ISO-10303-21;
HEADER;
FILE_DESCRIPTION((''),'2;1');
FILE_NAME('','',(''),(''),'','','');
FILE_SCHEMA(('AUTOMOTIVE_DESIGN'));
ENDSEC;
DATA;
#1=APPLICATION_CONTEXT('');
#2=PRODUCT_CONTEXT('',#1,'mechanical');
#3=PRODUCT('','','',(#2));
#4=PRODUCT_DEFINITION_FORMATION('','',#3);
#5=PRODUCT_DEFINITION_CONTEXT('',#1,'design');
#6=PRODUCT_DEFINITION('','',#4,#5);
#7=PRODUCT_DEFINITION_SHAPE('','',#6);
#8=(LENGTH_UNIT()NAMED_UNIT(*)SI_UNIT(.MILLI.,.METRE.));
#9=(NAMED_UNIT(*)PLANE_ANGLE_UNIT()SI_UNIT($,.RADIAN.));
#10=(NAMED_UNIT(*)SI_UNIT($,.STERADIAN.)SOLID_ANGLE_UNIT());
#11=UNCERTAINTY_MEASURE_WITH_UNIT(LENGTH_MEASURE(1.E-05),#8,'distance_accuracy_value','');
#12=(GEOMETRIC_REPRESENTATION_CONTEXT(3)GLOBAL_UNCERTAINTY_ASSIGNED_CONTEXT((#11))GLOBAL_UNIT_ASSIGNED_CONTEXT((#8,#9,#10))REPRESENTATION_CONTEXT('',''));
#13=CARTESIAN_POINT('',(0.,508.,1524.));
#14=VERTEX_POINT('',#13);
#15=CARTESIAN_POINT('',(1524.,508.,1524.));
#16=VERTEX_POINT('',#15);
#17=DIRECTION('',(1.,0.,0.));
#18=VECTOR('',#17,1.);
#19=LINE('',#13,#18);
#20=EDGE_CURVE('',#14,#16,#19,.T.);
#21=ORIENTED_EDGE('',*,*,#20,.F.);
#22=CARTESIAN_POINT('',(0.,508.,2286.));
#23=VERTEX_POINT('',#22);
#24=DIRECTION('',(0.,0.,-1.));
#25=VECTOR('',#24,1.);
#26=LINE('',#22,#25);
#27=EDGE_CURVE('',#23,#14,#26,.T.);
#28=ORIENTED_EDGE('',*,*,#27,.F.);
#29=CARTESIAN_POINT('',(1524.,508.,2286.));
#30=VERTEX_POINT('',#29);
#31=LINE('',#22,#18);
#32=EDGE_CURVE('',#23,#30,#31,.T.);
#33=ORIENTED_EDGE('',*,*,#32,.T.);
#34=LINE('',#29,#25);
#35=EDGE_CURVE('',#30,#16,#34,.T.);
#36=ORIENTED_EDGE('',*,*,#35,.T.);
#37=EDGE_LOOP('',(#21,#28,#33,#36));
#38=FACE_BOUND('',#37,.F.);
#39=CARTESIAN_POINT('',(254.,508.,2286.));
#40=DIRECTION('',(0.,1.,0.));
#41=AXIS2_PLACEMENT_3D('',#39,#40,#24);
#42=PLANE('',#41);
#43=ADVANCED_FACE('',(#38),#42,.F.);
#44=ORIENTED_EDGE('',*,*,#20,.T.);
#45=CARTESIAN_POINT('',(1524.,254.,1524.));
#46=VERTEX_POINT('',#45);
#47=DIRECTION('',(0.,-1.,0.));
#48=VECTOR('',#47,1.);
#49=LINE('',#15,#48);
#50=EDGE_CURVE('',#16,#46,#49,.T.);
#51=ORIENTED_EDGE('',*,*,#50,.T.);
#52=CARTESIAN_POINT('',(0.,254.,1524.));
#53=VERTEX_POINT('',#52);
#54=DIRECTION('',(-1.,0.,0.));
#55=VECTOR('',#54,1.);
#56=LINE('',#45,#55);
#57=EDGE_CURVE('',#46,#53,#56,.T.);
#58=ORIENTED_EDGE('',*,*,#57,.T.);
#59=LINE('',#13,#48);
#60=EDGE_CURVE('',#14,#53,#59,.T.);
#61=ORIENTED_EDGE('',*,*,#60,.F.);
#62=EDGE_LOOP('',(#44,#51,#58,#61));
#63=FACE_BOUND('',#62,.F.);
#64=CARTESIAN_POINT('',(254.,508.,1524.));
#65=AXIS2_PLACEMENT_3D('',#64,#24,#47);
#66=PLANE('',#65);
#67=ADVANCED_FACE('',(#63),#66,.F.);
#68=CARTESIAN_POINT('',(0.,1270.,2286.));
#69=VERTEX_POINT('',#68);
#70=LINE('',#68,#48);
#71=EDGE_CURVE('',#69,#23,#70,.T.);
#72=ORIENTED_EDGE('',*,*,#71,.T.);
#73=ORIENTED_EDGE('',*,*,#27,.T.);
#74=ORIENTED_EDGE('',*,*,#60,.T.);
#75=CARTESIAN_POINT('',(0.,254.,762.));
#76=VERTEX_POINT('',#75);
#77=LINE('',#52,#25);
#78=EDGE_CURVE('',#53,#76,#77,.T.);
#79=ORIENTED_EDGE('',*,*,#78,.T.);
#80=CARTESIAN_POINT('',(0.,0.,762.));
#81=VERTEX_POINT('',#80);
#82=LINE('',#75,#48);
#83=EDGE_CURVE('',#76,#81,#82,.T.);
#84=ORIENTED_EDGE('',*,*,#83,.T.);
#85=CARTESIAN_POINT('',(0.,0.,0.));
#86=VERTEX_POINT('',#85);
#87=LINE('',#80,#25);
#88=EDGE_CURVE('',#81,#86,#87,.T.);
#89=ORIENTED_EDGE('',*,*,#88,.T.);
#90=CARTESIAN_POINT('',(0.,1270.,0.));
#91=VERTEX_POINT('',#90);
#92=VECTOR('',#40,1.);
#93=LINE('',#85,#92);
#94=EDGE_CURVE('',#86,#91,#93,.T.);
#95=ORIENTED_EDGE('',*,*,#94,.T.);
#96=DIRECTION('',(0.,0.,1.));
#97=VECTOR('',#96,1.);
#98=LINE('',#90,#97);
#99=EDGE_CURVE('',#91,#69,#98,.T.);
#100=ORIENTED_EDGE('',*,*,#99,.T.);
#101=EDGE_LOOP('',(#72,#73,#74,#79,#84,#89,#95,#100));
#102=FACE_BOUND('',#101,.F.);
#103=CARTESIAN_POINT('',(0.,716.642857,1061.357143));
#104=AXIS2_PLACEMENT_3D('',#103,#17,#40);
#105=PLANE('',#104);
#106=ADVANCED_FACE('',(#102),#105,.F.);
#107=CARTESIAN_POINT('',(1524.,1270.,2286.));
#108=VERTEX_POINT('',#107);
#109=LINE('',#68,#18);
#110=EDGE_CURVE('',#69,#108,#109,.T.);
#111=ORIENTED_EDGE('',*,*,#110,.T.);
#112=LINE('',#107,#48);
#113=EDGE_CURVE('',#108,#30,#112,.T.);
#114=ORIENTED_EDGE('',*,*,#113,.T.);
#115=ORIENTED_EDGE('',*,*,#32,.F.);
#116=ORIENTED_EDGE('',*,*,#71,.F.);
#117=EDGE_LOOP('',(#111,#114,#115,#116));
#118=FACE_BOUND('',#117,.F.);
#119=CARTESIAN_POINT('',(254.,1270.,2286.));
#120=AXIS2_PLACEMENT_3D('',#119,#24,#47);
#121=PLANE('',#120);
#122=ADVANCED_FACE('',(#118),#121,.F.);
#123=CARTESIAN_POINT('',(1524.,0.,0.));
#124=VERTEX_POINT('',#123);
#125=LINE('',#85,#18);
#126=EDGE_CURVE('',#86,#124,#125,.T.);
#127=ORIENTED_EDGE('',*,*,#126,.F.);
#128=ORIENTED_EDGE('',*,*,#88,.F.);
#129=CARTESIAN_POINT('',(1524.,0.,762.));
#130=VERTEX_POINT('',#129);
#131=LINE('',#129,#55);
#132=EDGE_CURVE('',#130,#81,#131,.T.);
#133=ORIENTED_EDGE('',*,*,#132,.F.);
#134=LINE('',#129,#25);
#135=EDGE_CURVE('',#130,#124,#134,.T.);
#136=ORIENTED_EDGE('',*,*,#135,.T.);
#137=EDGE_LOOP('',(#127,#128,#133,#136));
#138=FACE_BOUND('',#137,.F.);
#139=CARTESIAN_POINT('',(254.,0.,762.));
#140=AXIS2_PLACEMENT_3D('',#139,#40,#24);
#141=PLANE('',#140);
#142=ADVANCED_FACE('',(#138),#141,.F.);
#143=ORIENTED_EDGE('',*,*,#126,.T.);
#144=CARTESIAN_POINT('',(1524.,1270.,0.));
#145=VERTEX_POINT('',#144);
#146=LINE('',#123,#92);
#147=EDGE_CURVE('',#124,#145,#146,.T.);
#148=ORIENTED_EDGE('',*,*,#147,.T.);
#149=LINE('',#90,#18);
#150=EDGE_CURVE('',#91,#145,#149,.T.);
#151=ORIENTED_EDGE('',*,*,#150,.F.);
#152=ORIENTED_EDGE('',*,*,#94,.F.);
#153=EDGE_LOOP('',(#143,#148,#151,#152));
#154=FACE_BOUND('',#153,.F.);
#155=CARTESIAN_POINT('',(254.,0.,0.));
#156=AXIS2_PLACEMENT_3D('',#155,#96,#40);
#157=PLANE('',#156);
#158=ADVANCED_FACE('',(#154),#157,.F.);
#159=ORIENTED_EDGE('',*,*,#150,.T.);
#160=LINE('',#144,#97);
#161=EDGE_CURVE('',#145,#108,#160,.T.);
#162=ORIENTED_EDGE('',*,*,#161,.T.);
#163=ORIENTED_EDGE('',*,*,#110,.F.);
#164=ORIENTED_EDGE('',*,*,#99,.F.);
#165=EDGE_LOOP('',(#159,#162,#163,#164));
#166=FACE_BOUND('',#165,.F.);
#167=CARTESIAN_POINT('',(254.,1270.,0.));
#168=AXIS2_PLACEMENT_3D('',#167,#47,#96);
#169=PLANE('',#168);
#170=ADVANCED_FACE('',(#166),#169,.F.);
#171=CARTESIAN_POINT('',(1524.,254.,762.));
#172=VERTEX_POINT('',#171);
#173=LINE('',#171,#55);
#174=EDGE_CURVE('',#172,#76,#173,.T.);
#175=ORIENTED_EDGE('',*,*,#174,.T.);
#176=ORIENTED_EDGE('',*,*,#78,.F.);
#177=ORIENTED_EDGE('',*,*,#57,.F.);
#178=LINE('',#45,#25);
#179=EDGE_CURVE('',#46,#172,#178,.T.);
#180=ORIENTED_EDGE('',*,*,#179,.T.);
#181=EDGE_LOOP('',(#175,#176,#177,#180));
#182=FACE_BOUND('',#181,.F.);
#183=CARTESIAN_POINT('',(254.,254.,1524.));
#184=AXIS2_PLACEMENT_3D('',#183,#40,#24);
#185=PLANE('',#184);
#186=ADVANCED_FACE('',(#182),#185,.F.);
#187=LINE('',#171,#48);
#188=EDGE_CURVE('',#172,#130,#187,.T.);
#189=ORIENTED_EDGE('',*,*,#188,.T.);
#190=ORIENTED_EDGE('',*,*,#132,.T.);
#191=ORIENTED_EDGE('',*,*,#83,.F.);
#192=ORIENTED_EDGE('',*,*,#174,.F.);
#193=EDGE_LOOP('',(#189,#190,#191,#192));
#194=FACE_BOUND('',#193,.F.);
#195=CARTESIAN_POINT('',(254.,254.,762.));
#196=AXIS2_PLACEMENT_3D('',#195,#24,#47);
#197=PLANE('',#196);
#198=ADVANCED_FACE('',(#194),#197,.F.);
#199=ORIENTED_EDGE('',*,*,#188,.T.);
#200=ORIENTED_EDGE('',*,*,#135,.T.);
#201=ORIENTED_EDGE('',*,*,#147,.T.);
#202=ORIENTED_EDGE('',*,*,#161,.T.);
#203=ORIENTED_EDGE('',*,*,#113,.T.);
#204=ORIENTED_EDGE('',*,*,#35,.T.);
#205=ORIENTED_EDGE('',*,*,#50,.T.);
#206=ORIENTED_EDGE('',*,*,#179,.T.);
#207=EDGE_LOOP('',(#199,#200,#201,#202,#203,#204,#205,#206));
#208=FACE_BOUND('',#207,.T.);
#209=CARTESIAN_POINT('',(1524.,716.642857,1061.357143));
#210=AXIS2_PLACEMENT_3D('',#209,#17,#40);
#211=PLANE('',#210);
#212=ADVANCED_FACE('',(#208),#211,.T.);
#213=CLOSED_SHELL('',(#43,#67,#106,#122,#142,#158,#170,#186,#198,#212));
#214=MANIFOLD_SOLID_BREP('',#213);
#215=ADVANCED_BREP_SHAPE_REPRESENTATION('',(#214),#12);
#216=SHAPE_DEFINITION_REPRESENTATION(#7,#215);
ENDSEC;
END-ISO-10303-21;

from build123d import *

# Parameters (mm, degrees)
F1_DEPTH = 254
F2_DEPTH = 1270


with BuildPart() as f1:
    # F0 (on Right) → F1 (new body)
    with BuildSketch(Plane.YZ):
        Polygon((0, 762), (0, 0), (1270, 0), (1270, 2286), (508, 2286), (508, 1524), (254, 1524), (254, 762), align=None)
    extrude(amount=F1_DEPTH)

    # F1_face (on face) → F2 (join)
    with BuildSketch(Plane(origin=(254, 740.833333, 1016), x_dir=(0, 1, 0), z_dir=(1, 0, 0))):
        Polygon((-740.833333, -254), (-740.833333, -1016), (529.166667, -1016), (529.166667, 1270), (-232.833333, 1270), (-232.833333, 508), (-486.833333, 508), (-486.833333, -254), align=None)
    extrude(amount=F2_DEPTH)


solid = f1.part
